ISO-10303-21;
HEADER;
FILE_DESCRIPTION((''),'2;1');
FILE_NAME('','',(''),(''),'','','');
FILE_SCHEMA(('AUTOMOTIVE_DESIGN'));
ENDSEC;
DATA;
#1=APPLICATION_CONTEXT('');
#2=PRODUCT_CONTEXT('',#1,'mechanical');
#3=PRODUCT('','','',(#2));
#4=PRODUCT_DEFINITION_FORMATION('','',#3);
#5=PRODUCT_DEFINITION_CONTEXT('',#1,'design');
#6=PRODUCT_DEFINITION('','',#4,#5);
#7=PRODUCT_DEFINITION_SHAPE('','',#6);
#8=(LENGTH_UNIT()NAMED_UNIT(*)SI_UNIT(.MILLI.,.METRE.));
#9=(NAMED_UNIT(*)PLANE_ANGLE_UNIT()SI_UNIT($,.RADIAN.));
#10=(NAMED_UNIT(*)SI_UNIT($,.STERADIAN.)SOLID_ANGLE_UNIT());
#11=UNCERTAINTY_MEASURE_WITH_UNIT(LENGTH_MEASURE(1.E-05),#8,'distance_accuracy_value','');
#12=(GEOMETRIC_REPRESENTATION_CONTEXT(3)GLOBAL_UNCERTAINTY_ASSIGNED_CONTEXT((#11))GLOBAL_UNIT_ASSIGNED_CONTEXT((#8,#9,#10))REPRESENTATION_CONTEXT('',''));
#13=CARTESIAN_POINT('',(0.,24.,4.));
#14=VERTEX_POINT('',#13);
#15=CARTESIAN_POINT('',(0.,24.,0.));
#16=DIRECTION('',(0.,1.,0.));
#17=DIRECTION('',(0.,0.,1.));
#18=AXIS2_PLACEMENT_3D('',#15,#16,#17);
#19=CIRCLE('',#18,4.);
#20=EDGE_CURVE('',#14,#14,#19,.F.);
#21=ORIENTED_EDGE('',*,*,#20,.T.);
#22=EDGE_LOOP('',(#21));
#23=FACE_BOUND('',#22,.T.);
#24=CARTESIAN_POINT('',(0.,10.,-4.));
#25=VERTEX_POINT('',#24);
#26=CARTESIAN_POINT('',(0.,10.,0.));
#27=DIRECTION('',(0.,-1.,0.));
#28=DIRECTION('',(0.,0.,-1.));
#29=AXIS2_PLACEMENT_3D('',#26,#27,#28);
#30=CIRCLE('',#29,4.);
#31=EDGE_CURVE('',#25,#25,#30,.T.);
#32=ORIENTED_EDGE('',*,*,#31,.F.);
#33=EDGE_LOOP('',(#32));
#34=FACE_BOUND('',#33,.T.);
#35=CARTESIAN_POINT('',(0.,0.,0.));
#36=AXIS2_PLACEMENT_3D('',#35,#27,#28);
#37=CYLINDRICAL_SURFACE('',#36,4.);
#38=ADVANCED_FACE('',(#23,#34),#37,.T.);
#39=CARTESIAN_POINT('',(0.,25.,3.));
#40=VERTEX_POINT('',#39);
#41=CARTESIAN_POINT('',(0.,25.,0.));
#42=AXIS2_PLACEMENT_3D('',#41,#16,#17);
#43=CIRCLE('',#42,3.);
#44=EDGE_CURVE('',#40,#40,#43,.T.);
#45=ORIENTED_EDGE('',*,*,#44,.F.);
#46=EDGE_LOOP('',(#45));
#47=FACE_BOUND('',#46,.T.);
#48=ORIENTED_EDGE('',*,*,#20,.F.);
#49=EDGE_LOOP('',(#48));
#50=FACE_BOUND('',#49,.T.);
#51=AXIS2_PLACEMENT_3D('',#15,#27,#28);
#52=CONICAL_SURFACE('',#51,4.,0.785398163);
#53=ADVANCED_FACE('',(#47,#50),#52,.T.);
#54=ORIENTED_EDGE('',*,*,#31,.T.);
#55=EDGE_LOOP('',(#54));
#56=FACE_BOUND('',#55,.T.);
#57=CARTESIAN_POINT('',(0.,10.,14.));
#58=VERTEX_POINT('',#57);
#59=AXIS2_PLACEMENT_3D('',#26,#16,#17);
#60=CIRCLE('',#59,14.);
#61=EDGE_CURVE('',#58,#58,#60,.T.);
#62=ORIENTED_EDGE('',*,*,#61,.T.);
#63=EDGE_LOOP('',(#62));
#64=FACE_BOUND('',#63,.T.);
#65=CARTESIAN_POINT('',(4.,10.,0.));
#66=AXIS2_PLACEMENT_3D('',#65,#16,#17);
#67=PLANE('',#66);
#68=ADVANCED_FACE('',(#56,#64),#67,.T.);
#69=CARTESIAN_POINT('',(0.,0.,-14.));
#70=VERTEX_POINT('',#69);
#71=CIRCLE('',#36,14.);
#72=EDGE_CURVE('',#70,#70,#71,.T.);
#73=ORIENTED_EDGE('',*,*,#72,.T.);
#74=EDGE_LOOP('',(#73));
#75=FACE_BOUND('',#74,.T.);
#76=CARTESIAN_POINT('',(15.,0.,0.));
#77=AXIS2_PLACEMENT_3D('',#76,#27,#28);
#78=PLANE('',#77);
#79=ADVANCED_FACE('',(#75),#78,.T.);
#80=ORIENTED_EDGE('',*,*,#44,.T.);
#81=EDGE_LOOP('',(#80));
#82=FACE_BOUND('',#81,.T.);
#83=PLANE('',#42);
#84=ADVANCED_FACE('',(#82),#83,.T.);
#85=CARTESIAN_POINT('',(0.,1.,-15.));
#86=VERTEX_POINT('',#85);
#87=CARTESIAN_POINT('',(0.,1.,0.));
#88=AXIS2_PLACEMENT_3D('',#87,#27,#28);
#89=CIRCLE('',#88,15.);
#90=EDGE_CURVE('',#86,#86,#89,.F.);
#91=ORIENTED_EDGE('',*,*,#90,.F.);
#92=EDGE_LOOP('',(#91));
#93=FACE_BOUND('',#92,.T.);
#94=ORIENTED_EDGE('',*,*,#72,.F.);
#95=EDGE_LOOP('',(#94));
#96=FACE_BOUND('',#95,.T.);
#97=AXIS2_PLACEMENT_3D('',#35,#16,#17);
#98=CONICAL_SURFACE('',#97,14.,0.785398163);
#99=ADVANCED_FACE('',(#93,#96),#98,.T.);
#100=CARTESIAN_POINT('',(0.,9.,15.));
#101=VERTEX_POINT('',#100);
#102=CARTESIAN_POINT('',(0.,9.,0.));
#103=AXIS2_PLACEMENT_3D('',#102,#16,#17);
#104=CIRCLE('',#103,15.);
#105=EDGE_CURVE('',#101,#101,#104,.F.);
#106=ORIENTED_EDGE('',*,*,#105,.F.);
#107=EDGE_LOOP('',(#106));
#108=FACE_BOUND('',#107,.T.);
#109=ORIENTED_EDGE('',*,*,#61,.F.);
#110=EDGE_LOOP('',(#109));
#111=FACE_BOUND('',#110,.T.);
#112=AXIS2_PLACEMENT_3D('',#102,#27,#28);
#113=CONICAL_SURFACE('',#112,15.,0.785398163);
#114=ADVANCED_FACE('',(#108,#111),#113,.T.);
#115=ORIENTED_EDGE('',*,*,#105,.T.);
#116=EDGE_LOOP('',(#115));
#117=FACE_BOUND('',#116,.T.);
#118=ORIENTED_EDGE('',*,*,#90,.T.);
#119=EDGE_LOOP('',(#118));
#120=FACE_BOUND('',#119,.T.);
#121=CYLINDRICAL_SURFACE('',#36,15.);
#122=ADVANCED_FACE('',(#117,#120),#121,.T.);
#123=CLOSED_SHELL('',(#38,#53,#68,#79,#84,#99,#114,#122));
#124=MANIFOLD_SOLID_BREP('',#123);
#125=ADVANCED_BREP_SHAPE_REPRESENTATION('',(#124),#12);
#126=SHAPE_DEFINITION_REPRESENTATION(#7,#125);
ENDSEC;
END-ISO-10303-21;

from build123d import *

# Parameters (mm, degrees)
CHAMFER_1_SIZE = 1


with BuildPart() as part:
    # Эскиз1 → Повернуть1 (revolve)
    with BuildSketch(Plane.XY, mode=Mode.PRIVATE) as revolve_1_sk:
        Polygon((0, 25), (4, 25), (4, 10), (15, 10), (15, 0), (0, 0), align=None)
    revolve(revolve_1_sk.sketch.rotate(Axis((0, 0, 0), (0, 1, 0)), 90), axis=Axis((0, 0, 0), (0, 1, 0)))

    # Фаска1
    chamfer_1_edges = [part.edges().sort_by_distance(p)[0] for p in [
        (0, 0, 15),
        (0, 10, 15),
        (0, 25, 4),
    ]]
    chamfer(chamfer_1_edges, length=CHAMFER_1_SIZE)


solid = part.part
